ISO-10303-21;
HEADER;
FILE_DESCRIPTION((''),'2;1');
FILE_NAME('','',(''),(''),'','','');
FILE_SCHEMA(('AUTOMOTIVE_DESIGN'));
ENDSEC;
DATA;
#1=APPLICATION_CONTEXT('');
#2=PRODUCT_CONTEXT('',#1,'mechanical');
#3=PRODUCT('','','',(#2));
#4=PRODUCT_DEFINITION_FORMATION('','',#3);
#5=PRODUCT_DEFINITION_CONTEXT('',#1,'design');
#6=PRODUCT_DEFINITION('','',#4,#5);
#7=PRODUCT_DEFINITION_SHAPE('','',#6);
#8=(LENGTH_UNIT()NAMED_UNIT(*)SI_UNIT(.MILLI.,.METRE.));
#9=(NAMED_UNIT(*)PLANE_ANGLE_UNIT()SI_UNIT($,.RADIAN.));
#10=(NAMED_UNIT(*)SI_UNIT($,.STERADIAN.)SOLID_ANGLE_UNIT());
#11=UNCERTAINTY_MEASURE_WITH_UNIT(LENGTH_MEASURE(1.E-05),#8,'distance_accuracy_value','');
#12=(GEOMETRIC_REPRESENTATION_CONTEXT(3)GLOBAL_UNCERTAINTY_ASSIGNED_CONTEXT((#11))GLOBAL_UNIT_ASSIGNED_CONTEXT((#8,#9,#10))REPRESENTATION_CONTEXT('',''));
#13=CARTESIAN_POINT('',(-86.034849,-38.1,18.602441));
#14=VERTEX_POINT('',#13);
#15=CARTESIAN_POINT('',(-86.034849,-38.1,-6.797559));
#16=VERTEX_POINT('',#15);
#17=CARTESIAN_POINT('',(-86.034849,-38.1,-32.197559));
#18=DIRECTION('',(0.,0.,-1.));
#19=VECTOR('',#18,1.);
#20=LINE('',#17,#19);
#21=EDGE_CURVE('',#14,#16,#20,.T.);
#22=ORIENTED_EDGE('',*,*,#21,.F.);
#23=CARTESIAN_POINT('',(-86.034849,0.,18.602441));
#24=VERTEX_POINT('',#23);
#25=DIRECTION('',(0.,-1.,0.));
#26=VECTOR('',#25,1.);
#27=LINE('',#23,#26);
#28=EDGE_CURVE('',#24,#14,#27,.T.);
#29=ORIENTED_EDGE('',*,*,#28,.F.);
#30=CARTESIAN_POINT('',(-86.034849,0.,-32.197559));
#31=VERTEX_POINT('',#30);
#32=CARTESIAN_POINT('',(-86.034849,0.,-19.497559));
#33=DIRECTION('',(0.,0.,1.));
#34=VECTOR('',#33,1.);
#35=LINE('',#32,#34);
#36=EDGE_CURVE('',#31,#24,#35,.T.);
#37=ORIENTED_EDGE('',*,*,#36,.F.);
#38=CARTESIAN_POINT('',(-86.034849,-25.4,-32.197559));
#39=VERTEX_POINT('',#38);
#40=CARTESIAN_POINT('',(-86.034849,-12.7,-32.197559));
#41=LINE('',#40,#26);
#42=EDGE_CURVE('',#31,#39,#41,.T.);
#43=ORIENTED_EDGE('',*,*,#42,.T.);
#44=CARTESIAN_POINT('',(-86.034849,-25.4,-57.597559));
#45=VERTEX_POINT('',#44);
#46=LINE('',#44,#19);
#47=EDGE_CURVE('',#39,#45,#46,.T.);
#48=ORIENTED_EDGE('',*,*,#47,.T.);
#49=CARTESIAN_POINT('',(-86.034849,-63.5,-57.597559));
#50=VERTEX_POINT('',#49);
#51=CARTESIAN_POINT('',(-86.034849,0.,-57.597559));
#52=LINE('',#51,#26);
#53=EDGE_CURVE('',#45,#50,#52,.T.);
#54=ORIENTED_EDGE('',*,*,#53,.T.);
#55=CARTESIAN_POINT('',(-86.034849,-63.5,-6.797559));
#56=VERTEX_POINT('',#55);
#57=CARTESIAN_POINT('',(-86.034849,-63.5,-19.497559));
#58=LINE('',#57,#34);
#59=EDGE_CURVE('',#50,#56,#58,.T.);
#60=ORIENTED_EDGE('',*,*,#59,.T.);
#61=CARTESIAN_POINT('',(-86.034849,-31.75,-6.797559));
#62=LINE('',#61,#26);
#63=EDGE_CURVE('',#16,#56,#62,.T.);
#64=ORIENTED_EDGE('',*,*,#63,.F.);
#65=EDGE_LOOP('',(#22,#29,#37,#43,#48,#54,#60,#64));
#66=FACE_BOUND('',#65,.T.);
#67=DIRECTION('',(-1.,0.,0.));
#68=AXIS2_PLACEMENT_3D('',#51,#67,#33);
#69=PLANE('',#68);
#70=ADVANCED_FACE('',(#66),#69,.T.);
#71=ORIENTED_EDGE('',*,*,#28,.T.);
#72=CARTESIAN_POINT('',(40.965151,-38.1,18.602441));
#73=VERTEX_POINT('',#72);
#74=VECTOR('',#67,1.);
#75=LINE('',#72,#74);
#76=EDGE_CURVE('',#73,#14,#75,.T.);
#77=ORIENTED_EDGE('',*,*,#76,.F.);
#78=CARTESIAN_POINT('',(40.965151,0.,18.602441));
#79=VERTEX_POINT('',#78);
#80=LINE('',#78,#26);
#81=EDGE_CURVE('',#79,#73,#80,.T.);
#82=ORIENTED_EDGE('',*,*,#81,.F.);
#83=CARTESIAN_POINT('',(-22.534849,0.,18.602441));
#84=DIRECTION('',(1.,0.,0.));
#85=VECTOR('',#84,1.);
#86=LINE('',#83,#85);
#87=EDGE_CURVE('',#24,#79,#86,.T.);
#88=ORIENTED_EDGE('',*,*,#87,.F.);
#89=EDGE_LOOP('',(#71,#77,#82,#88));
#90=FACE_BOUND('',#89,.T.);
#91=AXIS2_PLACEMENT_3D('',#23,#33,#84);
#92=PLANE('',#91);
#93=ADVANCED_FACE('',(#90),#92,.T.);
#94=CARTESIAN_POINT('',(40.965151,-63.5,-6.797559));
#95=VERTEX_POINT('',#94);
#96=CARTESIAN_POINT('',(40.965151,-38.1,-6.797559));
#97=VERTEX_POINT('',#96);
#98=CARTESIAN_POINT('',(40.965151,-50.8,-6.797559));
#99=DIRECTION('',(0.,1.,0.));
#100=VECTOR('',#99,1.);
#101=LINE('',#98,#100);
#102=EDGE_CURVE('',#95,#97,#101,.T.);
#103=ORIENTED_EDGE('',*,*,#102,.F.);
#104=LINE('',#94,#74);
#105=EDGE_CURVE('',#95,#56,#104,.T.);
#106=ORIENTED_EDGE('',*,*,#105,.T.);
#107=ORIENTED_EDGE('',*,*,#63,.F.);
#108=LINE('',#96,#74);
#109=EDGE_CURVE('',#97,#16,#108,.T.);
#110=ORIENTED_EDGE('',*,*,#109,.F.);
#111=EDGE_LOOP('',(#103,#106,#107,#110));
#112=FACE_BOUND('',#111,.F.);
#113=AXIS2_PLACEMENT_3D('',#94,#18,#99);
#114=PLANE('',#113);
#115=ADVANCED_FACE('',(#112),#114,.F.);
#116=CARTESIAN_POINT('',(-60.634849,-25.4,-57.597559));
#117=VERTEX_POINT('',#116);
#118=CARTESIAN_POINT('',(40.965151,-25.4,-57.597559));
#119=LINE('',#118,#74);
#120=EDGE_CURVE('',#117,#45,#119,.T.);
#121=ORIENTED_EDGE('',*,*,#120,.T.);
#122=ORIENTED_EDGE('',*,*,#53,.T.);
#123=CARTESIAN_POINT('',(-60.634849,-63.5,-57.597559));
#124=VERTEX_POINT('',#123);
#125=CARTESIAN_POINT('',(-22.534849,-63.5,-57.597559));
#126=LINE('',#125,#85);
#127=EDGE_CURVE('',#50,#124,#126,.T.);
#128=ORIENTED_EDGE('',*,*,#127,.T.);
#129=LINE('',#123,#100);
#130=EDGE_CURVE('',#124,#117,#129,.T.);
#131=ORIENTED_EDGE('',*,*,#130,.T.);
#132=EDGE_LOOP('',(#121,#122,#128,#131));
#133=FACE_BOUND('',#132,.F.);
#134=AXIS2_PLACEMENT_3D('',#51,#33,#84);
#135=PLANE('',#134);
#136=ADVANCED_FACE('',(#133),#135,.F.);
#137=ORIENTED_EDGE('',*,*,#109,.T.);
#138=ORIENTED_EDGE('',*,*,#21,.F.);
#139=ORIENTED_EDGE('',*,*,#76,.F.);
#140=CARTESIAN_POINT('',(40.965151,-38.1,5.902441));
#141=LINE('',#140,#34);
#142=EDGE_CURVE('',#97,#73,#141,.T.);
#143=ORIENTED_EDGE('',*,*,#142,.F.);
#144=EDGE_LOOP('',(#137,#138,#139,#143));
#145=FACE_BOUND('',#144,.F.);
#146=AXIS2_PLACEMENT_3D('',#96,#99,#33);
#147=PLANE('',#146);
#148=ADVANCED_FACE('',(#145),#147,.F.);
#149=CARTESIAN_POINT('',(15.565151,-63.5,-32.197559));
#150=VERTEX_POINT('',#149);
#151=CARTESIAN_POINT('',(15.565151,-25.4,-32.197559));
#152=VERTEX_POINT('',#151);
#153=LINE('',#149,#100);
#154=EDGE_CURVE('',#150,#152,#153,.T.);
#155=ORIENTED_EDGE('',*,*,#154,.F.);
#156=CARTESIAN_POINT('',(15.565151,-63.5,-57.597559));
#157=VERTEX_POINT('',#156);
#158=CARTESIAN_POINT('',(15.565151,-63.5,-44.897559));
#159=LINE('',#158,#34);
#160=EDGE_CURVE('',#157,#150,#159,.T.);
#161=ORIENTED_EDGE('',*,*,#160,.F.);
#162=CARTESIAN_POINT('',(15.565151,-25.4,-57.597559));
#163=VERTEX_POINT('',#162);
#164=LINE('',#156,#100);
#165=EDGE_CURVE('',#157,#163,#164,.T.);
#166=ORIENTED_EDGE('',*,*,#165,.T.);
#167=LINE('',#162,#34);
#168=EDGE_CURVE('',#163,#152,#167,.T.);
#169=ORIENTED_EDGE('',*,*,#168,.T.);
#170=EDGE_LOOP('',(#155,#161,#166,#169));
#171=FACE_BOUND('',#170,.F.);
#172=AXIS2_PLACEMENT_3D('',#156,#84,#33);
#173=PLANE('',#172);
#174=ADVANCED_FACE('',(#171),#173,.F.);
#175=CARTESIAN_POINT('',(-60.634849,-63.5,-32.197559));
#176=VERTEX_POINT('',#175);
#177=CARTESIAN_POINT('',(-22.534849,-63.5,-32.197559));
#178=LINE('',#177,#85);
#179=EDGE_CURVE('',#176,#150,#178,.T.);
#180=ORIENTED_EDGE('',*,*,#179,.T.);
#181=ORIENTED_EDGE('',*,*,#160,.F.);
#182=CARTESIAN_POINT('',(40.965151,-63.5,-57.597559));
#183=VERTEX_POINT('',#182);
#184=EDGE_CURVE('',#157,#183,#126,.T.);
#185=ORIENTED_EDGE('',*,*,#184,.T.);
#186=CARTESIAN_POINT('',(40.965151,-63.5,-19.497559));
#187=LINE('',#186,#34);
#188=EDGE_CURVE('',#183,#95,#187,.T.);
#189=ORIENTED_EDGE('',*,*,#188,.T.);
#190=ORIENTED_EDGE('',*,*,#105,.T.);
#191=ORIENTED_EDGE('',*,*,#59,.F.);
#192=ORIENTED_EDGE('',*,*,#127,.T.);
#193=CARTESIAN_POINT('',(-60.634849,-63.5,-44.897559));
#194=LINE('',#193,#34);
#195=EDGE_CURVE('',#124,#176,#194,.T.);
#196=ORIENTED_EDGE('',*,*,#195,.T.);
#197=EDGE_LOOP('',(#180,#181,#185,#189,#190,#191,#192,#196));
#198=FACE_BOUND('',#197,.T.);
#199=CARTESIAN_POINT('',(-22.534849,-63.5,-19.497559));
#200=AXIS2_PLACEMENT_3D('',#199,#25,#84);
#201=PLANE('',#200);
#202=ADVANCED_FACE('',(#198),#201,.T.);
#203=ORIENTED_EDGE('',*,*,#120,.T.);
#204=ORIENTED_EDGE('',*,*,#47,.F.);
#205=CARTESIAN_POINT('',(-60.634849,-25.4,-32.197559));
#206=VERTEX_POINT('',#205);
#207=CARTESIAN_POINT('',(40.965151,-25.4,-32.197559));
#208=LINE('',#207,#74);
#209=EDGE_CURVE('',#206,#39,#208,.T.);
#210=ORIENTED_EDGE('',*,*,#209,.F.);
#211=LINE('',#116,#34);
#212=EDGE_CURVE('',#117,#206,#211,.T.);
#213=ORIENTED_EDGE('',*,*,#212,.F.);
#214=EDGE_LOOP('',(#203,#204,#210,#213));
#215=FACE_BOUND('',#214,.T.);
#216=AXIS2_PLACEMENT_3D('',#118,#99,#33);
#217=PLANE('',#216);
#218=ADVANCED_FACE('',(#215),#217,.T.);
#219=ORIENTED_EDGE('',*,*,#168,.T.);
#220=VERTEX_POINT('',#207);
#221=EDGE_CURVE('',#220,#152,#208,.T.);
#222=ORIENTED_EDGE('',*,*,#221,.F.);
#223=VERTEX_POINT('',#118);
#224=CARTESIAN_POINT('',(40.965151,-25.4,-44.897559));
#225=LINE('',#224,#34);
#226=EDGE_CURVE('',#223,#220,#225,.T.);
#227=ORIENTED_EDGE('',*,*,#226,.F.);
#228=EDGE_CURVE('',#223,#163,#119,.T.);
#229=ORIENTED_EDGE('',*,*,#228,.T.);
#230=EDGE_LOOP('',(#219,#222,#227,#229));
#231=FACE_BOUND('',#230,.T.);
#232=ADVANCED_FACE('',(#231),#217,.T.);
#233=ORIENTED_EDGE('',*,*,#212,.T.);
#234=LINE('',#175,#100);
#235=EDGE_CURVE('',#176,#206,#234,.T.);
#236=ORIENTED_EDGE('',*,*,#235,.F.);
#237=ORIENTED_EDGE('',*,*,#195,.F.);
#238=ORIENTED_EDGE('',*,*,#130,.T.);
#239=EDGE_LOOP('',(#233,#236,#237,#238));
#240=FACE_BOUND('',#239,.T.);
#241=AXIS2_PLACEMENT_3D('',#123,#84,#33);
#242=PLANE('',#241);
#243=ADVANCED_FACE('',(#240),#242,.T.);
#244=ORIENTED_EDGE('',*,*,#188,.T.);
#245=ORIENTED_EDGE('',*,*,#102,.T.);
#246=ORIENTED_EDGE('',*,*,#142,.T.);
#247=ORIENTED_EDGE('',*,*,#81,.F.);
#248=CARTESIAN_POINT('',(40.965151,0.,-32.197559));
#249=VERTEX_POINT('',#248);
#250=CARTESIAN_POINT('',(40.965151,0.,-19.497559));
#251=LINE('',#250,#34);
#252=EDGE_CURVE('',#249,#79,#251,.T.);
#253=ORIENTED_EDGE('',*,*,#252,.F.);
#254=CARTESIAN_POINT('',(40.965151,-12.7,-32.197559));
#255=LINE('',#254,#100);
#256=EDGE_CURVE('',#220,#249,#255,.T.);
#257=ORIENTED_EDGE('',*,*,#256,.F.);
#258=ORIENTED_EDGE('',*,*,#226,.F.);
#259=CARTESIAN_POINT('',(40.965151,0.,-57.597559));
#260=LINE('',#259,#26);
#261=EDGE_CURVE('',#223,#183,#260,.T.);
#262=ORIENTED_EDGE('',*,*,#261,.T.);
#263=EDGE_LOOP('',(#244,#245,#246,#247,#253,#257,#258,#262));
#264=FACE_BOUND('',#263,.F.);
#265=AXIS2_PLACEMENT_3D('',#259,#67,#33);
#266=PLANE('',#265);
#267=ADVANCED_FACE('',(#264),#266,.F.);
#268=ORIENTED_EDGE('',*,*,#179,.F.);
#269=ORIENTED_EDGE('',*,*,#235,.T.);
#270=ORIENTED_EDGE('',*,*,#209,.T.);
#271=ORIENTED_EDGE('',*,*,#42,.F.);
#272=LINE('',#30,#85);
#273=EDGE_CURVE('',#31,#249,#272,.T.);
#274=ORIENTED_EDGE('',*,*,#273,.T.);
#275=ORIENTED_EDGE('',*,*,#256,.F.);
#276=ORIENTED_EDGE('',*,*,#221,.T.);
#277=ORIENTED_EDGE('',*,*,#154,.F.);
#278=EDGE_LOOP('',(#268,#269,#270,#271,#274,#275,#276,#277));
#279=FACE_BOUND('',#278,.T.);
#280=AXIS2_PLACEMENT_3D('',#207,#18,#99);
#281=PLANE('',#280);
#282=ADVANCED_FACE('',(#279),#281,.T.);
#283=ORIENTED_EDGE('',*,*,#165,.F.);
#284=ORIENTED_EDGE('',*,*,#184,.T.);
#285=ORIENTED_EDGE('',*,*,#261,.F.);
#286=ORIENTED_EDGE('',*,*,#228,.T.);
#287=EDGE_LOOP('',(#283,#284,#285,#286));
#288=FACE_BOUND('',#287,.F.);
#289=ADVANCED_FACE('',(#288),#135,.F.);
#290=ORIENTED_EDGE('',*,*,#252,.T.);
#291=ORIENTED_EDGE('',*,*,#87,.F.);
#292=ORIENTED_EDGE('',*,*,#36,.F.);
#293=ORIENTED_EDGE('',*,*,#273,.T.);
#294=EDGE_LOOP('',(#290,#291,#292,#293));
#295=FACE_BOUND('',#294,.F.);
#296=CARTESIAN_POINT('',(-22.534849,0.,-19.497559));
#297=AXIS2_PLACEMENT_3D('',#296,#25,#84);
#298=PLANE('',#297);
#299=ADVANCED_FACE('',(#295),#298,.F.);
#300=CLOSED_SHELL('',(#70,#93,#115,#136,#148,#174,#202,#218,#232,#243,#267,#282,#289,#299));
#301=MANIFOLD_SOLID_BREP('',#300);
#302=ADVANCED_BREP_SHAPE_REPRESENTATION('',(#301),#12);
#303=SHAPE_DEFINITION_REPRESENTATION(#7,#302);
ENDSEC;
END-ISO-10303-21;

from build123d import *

# Parameters (mm, degrees)
F0_W     = 127
F0_H     = 76.2
F1_DEPTH = 63.5
F2_W     = 76.2
F2_H     = 25.4
F3_DEPTH = 63.501
F4_W     = 25.4
F4_H     = 25.4
F5_DEPTH = 127.001


with BuildPart() as f1:
    # F0 (on Front) → F1 (new body)
    with BuildSketch(Plane.XZ):
        with Locations((-22.534849, -19.497559)):
            Rectangle(F0_W, F0_H)
    extrude(amount=F1_DEPTH)

    # F2 (on face) → F3 (cut, through all)
    with BuildSketch(Plane.XZ.offset(63.5)):
        with Locations((-22.534849, -44.897559)):
            Rectangle(F2_W, F2_H)
    extrude(amount=-F3_DEPTH, mode=Mode.SUBTRACT)

    # F4 (on face) → F5 (cut, through all)
    with BuildSketch(Plane.YZ.offset(40.965151)):
        with Locations((-12.7, -44.897559)):
            Rectangle(F4_W, F4_H)
        with Locations((-50.8, 5.902441)):
            Rectangle(F4_W, F4_H)
    extrude(amount=-F5_DEPTH, mode=Mode.SUBTRACT)


solid = f1.part
